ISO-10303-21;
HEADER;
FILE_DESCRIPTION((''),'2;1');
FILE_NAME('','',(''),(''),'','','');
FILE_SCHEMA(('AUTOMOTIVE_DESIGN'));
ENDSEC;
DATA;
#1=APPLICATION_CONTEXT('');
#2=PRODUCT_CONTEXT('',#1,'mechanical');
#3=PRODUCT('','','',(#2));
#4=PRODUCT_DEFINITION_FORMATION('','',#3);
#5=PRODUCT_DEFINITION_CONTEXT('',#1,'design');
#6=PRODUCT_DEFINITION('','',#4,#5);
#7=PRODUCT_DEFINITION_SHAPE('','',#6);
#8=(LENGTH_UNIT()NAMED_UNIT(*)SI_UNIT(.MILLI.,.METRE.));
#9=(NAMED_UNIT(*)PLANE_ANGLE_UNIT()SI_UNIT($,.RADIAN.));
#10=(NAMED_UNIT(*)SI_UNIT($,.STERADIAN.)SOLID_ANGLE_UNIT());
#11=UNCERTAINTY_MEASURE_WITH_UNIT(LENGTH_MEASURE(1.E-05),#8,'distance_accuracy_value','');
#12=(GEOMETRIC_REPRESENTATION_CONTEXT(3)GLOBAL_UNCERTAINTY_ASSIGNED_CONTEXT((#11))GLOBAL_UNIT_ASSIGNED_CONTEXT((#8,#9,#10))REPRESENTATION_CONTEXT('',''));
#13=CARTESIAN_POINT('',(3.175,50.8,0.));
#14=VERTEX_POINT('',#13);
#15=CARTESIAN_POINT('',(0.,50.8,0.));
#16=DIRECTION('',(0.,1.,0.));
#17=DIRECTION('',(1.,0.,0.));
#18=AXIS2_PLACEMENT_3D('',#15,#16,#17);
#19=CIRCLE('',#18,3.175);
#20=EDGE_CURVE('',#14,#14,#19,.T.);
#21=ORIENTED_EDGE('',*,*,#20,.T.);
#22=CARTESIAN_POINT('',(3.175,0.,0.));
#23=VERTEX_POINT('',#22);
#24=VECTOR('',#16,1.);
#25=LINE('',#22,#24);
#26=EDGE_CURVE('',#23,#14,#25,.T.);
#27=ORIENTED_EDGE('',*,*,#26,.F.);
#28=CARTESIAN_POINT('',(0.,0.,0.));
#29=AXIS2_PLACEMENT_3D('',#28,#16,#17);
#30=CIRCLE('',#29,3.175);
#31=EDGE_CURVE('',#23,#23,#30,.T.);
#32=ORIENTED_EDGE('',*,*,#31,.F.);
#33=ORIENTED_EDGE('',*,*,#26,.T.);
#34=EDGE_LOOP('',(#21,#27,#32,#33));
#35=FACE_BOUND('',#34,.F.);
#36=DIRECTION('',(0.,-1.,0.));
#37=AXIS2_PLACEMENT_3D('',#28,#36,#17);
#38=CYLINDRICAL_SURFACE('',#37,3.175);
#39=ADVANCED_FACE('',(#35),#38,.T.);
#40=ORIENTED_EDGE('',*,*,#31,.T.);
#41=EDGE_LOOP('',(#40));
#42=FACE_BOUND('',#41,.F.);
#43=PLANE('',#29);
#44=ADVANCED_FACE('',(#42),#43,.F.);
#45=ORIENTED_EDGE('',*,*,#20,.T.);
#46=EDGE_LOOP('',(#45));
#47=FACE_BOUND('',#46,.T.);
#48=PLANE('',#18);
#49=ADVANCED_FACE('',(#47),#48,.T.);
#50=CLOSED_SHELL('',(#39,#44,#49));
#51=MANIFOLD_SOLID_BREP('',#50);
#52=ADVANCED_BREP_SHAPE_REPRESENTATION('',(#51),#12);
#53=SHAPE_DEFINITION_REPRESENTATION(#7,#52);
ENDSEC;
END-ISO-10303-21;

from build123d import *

# Parameters (mm, degrees)
SKETCH1_R           = 3.175
BOSS_EXTRUDE1_DEPTH = 50.8


with BuildPart() as part:
    # Sketch1 → Boss-Extrude1 (new body)
    with BuildSketch(Plane(origin=(0, 0, 0), x_dir=(1, 0, 0), z_dir=(0, 1, 0))):
        Circle(SKETCH1_R)
    extrude(amount=BOSS_EXTRUDE1_DEPTH)


solid = part.part
